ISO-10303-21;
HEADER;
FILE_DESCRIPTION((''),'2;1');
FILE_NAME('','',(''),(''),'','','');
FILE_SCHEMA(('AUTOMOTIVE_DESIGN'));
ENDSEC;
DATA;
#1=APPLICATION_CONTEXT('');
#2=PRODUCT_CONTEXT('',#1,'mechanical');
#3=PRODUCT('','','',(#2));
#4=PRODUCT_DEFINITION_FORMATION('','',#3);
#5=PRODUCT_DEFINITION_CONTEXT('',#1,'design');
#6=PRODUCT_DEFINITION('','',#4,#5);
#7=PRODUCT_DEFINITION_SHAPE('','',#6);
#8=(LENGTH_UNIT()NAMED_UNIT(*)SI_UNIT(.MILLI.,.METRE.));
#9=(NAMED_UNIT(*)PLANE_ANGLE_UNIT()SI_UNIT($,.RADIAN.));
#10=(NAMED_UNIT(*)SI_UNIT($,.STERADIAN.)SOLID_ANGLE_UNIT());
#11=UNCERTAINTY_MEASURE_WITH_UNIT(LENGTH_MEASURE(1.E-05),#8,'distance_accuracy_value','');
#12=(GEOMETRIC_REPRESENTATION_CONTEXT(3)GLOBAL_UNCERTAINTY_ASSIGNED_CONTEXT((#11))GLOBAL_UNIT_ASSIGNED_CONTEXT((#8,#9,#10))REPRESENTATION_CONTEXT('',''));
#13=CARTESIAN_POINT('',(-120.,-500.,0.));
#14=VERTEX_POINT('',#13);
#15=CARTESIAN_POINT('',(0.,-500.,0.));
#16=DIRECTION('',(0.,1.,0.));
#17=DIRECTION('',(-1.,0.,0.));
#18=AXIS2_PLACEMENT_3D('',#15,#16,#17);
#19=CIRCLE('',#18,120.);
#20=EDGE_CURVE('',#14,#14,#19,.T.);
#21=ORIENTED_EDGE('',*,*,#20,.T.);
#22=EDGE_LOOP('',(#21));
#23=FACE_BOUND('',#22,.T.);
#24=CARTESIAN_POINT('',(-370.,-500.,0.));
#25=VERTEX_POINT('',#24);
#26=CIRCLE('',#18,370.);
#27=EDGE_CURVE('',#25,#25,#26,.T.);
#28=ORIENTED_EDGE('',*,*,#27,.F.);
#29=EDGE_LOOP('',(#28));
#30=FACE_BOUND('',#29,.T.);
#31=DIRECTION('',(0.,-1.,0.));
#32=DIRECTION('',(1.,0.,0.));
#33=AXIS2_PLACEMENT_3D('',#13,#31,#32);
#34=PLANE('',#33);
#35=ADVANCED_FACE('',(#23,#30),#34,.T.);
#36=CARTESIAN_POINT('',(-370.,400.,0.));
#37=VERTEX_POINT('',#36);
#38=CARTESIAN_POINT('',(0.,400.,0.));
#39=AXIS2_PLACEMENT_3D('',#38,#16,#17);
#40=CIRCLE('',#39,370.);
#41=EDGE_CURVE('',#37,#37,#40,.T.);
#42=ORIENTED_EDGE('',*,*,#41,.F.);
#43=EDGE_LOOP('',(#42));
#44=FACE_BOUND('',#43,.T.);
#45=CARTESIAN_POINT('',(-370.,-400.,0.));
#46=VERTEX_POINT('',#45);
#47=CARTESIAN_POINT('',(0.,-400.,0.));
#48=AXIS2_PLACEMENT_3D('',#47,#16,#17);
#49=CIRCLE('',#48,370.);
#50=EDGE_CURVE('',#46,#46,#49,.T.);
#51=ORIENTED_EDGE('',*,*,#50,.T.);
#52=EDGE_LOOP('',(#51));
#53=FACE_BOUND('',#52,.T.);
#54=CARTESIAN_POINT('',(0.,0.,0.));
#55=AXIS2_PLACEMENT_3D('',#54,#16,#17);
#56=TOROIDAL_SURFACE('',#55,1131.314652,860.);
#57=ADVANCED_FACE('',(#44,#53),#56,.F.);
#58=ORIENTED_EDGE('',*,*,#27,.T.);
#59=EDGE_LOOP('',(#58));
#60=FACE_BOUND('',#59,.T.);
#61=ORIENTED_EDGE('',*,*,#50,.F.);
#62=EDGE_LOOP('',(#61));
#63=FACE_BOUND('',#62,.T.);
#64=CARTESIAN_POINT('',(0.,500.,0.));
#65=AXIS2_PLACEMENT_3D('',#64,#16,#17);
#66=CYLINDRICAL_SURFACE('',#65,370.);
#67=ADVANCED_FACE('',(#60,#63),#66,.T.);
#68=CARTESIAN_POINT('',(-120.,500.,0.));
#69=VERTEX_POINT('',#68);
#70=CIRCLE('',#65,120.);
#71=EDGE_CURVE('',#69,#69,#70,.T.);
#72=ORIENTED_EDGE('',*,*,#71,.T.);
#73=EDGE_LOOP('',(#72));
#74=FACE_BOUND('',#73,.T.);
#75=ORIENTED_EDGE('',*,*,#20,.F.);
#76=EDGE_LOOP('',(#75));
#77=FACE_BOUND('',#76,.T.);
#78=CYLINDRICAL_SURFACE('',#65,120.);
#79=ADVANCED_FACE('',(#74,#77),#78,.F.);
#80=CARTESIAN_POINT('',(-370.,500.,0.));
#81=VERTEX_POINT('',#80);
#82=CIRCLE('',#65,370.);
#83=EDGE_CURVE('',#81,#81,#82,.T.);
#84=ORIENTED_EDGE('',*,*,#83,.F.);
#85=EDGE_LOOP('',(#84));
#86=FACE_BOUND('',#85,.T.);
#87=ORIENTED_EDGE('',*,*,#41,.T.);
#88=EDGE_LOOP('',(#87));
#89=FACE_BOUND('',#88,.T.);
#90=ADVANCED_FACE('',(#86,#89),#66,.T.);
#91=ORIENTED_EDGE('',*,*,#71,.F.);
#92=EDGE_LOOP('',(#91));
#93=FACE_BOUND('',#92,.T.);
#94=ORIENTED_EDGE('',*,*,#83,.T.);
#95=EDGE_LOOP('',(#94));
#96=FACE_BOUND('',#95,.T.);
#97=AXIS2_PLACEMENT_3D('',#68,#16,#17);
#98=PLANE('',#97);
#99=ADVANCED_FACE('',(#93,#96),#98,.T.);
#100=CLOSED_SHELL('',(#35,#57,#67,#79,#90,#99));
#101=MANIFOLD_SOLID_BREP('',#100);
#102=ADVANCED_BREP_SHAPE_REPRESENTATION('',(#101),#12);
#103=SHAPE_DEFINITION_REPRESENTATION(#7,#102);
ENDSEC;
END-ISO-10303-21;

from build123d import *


with BuildPart() as part:
    # Sketch1 → Revolve1 (revolve)
    with BuildSketch(Plane.XY):
        with BuildLine():
            Line((-120, 500), (-370, 500))
            Line((-370, 500), (-370, 400))
            ThreePointArc((-370, 400), (-271.314652427, 0), (-370, -400))
            Line((-370, -400), (-370, -500))
            Line((-370, -500), (-120, -500))
            Line((-120, -500), (-120, 500))
        make_face()
    revolve(axis=Axis((0, 500, 0), (0, -1, 0)))


solid = part.part
